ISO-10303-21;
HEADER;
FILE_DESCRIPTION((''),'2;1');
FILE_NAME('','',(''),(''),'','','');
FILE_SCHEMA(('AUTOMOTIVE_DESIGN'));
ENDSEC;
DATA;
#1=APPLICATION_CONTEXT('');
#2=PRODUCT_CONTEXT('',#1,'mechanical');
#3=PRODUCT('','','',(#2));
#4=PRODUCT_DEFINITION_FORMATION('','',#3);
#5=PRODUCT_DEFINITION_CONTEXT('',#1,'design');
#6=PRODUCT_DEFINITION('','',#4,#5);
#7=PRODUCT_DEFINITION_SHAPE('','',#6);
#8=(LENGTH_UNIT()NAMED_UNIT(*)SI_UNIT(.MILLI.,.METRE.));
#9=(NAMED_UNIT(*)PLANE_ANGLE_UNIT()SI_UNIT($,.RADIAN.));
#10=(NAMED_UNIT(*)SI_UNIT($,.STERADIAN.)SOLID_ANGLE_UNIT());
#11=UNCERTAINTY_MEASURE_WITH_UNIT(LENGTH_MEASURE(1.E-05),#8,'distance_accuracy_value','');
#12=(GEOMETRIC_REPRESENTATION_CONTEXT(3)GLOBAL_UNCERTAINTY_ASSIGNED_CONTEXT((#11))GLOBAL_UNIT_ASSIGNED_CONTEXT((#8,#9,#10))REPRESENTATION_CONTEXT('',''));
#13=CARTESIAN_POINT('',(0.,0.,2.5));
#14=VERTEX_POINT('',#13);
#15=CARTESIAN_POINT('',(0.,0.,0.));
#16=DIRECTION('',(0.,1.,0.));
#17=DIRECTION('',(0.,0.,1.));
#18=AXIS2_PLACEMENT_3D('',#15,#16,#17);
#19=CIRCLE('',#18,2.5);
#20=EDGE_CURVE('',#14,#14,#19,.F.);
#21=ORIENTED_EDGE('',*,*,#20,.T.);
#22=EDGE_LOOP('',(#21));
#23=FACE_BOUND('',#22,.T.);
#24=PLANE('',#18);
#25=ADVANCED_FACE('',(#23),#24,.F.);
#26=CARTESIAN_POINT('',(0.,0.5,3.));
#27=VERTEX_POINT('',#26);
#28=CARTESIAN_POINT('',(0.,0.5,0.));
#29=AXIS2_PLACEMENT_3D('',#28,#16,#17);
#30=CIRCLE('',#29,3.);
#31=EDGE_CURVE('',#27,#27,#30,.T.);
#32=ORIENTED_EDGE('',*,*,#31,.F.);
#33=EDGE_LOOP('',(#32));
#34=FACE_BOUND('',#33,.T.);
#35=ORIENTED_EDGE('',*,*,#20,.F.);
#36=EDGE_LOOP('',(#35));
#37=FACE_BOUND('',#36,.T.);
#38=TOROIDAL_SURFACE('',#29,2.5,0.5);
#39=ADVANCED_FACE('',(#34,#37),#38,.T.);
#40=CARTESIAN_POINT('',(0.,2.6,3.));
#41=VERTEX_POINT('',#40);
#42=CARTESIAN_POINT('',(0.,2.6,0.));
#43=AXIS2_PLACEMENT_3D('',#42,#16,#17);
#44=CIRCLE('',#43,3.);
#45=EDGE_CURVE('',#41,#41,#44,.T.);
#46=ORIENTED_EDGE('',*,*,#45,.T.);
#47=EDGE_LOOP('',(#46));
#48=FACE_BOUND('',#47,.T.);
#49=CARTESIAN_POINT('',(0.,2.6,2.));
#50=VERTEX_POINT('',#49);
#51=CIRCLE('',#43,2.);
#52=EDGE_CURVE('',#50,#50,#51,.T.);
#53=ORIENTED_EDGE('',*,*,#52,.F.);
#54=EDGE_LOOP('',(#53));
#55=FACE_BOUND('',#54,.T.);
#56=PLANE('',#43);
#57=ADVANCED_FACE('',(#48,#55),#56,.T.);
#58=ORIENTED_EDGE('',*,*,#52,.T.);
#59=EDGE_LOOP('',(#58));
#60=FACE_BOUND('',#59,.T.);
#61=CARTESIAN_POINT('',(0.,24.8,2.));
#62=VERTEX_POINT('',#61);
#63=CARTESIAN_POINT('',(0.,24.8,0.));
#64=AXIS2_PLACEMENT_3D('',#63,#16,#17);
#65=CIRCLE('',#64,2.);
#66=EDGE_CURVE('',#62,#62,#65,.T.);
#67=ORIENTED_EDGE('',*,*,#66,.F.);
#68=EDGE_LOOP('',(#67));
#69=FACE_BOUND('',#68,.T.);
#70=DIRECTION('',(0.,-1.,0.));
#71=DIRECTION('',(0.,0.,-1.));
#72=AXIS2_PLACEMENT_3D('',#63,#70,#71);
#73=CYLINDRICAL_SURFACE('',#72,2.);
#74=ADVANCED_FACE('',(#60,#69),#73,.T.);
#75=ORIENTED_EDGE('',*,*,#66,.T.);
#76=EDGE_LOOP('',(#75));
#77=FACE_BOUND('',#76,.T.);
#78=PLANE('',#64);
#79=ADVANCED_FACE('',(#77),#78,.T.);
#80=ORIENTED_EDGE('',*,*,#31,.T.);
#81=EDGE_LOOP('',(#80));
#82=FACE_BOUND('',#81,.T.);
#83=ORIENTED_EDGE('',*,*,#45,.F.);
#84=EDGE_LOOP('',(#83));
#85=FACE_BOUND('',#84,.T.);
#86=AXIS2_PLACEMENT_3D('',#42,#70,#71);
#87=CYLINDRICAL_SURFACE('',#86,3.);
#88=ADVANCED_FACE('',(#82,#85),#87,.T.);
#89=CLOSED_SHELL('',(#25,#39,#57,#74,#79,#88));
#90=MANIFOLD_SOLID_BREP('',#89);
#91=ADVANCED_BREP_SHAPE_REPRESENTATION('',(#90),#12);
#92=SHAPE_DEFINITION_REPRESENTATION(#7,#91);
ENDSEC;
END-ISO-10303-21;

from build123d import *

# Parameters (mm, degrees)
SKETCH_1_R      = 3
EXTRUDE_1_DEPTH = 2.6
SKETCH_2_R      = 2
EXTRUDE_2_DEPTH = 22.2
FILLET_1_R      = 0.5


with BuildPart() as part:
    # 草图1 → 凸台-拉伸1 (new body)
    with BuildSketch(Plane(origin=(0, 0, 0), x_dir=(1, 0, 0), z_dir=(0, 1, 0))):
        with Locations(Location((0, 0, 0), (0, 0, 270))):
            Circle(SKETCH_1_R)
    extrude(amount=EXTRUDE_1_DEPTH)

    # 草图2 → 凸台-拉伸2 (add)
    with BuildSketch(Plane(origin=(0, 2.6, 0), x_dir=(1, 0, 0), z_dir=(0, 1, 0))):
        with Locations(Location((0, 0, 0), (0, 0, 270))):
            Circle(SKETCH_2_R)
    extrude(amount=EXTRUDE_2_DEPTH)

    # 圆角1
    fillet_1_edges = [part.edges().sort_by_distance(p)[0] for p in [
        (0, 0, -3),
    ]]
    fillet(fillet_1_edges, radius=FILLET_1_R)


solid = part.part
